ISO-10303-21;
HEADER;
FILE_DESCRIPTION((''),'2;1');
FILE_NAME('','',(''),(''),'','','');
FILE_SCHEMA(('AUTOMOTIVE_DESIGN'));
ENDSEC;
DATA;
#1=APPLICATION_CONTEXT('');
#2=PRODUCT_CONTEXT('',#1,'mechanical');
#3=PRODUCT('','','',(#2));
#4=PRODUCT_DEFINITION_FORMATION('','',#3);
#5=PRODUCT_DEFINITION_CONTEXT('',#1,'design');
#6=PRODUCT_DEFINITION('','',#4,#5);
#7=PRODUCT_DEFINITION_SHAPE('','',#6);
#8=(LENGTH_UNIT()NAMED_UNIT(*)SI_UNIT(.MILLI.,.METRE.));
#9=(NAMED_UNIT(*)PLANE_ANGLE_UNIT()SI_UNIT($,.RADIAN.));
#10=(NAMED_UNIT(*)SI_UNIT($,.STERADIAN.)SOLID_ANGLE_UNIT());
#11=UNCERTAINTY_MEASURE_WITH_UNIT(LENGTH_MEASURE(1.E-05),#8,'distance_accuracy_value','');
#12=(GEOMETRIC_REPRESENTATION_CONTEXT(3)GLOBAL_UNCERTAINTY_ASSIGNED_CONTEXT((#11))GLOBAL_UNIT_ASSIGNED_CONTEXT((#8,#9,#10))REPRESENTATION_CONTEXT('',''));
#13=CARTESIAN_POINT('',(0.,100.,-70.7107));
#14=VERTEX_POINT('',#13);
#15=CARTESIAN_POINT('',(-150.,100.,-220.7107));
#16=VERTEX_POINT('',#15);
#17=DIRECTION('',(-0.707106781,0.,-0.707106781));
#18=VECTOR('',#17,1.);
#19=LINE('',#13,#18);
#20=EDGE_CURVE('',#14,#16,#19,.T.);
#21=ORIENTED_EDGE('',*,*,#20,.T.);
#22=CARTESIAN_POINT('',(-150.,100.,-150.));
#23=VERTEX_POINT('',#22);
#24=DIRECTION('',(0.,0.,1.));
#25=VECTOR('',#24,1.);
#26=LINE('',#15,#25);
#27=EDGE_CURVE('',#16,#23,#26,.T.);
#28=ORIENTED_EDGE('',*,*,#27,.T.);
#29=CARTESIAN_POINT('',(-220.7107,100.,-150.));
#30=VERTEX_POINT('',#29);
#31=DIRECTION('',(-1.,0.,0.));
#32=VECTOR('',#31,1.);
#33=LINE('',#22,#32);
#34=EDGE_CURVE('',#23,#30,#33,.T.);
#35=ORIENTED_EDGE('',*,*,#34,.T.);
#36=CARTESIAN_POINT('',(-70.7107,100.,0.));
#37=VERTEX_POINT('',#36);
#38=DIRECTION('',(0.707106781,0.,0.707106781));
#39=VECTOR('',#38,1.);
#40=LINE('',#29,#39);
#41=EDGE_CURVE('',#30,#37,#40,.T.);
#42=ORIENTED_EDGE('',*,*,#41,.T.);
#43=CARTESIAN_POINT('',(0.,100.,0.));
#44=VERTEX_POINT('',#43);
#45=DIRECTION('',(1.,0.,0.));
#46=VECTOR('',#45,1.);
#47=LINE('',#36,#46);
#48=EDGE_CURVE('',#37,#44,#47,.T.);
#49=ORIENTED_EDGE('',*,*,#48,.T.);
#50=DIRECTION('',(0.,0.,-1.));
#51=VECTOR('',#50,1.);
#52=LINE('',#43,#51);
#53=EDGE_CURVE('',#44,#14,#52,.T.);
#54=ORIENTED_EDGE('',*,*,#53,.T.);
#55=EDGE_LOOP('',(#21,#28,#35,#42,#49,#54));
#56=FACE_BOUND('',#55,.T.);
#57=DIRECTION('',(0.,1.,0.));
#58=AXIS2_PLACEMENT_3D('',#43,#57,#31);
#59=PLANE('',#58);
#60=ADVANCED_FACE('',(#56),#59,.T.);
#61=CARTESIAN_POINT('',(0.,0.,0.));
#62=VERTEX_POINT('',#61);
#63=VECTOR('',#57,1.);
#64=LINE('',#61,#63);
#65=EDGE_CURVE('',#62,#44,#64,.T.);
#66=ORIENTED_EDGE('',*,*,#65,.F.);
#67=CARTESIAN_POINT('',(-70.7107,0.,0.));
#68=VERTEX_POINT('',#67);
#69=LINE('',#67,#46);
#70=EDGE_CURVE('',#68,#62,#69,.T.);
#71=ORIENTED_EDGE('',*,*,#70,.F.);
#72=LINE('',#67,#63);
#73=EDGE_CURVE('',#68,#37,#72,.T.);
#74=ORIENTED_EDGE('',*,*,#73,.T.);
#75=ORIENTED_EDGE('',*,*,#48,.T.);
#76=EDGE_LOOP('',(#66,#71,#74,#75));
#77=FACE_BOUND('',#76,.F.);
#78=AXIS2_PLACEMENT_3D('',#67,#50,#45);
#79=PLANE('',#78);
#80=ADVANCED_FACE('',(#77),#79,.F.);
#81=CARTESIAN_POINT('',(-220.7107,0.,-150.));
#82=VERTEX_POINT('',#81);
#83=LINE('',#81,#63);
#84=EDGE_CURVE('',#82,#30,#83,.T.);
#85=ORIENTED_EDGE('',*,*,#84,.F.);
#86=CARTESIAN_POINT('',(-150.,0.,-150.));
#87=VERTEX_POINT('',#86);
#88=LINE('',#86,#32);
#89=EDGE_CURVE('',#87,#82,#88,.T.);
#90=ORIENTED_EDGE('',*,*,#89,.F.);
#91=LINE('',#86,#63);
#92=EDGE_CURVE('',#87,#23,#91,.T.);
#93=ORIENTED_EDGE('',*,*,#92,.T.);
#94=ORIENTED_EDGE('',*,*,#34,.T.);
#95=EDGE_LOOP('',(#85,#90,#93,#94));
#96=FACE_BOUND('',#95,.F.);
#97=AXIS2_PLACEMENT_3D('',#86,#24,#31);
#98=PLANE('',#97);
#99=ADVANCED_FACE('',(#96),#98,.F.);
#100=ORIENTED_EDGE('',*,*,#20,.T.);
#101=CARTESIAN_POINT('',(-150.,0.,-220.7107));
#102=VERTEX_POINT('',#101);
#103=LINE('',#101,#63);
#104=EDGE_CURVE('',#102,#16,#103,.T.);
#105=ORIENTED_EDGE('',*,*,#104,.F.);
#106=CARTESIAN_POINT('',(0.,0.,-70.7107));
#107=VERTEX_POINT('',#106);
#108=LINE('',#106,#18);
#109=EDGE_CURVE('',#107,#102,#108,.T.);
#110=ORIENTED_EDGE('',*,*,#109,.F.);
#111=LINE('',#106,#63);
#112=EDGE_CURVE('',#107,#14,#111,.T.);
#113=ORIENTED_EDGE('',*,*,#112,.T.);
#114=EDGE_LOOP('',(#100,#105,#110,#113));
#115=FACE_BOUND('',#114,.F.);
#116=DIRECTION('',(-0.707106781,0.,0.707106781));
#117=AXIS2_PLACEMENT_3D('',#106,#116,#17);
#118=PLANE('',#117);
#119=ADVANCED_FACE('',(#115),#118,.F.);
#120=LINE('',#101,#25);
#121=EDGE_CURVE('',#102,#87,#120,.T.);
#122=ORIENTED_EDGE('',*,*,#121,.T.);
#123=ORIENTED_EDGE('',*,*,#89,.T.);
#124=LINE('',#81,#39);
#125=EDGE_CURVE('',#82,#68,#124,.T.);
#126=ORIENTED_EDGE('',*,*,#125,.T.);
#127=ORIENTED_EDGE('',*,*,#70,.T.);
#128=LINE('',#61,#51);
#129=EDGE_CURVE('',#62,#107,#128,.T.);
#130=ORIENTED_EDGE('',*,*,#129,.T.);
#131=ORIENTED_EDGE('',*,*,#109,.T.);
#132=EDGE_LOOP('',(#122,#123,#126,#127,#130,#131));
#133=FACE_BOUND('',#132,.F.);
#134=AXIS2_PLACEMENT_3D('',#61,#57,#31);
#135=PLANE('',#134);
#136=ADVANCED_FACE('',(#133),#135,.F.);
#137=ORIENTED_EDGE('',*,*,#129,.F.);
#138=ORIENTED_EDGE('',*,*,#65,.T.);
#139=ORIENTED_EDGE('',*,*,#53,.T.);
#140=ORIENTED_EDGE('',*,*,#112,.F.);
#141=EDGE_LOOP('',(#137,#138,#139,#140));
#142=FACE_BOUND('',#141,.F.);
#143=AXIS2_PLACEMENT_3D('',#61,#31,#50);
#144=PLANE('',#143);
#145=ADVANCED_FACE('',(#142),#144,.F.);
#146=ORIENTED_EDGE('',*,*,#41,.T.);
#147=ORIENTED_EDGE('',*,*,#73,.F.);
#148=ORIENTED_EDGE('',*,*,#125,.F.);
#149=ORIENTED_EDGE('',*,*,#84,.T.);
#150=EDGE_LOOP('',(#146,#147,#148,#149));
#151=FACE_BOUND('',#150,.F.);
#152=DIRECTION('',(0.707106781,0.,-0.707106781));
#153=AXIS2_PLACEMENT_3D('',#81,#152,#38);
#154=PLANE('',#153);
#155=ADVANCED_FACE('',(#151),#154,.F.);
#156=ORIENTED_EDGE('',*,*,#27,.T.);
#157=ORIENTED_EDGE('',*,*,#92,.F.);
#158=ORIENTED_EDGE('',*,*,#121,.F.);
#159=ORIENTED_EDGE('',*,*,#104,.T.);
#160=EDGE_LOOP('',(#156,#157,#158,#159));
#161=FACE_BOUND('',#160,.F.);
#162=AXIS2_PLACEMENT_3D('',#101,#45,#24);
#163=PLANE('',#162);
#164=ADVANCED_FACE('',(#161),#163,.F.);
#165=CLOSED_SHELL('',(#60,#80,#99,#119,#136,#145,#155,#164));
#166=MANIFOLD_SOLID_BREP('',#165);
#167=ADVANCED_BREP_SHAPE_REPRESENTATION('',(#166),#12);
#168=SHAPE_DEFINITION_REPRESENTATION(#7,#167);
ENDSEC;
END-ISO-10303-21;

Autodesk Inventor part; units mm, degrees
ref_plane "YZ Plane" through (0, 0, 0) normal (1, 0, 0) x (0, 1, 0)
ref_plane "XZ Plane" through (0, 0, 0) normal (0, 1, 0) x (-1, 0, 0)
ref_plane "XY Plane" through (0, 0, 0) normal (0, 0, 1) x (1, 0, 0)
sketch "Sketch1" plane through (0, 0, 0) normal (0, 1, 0) x (-1, 0, 0)
  line L0 (0, 0) -> (0, -70.7107)
  line L1 (70.7107, 0) -> (0, 0)
  line L2 (0, -70.7107) -> (150, -220.7107)
  line L3 (150, -220.7107) -> (150, -150)
  line L4 (150, -150) -> (220.7107, -150)
  line L5 (220.7107, -150) -> (70.7107, 0)
  dimension "d8" = 45
  dimension "d9" = 100
  dimension "d14" = 150
extrude "Extrusion1" add sketch "Sketch1" along normal blind 100
properties part number "end"
